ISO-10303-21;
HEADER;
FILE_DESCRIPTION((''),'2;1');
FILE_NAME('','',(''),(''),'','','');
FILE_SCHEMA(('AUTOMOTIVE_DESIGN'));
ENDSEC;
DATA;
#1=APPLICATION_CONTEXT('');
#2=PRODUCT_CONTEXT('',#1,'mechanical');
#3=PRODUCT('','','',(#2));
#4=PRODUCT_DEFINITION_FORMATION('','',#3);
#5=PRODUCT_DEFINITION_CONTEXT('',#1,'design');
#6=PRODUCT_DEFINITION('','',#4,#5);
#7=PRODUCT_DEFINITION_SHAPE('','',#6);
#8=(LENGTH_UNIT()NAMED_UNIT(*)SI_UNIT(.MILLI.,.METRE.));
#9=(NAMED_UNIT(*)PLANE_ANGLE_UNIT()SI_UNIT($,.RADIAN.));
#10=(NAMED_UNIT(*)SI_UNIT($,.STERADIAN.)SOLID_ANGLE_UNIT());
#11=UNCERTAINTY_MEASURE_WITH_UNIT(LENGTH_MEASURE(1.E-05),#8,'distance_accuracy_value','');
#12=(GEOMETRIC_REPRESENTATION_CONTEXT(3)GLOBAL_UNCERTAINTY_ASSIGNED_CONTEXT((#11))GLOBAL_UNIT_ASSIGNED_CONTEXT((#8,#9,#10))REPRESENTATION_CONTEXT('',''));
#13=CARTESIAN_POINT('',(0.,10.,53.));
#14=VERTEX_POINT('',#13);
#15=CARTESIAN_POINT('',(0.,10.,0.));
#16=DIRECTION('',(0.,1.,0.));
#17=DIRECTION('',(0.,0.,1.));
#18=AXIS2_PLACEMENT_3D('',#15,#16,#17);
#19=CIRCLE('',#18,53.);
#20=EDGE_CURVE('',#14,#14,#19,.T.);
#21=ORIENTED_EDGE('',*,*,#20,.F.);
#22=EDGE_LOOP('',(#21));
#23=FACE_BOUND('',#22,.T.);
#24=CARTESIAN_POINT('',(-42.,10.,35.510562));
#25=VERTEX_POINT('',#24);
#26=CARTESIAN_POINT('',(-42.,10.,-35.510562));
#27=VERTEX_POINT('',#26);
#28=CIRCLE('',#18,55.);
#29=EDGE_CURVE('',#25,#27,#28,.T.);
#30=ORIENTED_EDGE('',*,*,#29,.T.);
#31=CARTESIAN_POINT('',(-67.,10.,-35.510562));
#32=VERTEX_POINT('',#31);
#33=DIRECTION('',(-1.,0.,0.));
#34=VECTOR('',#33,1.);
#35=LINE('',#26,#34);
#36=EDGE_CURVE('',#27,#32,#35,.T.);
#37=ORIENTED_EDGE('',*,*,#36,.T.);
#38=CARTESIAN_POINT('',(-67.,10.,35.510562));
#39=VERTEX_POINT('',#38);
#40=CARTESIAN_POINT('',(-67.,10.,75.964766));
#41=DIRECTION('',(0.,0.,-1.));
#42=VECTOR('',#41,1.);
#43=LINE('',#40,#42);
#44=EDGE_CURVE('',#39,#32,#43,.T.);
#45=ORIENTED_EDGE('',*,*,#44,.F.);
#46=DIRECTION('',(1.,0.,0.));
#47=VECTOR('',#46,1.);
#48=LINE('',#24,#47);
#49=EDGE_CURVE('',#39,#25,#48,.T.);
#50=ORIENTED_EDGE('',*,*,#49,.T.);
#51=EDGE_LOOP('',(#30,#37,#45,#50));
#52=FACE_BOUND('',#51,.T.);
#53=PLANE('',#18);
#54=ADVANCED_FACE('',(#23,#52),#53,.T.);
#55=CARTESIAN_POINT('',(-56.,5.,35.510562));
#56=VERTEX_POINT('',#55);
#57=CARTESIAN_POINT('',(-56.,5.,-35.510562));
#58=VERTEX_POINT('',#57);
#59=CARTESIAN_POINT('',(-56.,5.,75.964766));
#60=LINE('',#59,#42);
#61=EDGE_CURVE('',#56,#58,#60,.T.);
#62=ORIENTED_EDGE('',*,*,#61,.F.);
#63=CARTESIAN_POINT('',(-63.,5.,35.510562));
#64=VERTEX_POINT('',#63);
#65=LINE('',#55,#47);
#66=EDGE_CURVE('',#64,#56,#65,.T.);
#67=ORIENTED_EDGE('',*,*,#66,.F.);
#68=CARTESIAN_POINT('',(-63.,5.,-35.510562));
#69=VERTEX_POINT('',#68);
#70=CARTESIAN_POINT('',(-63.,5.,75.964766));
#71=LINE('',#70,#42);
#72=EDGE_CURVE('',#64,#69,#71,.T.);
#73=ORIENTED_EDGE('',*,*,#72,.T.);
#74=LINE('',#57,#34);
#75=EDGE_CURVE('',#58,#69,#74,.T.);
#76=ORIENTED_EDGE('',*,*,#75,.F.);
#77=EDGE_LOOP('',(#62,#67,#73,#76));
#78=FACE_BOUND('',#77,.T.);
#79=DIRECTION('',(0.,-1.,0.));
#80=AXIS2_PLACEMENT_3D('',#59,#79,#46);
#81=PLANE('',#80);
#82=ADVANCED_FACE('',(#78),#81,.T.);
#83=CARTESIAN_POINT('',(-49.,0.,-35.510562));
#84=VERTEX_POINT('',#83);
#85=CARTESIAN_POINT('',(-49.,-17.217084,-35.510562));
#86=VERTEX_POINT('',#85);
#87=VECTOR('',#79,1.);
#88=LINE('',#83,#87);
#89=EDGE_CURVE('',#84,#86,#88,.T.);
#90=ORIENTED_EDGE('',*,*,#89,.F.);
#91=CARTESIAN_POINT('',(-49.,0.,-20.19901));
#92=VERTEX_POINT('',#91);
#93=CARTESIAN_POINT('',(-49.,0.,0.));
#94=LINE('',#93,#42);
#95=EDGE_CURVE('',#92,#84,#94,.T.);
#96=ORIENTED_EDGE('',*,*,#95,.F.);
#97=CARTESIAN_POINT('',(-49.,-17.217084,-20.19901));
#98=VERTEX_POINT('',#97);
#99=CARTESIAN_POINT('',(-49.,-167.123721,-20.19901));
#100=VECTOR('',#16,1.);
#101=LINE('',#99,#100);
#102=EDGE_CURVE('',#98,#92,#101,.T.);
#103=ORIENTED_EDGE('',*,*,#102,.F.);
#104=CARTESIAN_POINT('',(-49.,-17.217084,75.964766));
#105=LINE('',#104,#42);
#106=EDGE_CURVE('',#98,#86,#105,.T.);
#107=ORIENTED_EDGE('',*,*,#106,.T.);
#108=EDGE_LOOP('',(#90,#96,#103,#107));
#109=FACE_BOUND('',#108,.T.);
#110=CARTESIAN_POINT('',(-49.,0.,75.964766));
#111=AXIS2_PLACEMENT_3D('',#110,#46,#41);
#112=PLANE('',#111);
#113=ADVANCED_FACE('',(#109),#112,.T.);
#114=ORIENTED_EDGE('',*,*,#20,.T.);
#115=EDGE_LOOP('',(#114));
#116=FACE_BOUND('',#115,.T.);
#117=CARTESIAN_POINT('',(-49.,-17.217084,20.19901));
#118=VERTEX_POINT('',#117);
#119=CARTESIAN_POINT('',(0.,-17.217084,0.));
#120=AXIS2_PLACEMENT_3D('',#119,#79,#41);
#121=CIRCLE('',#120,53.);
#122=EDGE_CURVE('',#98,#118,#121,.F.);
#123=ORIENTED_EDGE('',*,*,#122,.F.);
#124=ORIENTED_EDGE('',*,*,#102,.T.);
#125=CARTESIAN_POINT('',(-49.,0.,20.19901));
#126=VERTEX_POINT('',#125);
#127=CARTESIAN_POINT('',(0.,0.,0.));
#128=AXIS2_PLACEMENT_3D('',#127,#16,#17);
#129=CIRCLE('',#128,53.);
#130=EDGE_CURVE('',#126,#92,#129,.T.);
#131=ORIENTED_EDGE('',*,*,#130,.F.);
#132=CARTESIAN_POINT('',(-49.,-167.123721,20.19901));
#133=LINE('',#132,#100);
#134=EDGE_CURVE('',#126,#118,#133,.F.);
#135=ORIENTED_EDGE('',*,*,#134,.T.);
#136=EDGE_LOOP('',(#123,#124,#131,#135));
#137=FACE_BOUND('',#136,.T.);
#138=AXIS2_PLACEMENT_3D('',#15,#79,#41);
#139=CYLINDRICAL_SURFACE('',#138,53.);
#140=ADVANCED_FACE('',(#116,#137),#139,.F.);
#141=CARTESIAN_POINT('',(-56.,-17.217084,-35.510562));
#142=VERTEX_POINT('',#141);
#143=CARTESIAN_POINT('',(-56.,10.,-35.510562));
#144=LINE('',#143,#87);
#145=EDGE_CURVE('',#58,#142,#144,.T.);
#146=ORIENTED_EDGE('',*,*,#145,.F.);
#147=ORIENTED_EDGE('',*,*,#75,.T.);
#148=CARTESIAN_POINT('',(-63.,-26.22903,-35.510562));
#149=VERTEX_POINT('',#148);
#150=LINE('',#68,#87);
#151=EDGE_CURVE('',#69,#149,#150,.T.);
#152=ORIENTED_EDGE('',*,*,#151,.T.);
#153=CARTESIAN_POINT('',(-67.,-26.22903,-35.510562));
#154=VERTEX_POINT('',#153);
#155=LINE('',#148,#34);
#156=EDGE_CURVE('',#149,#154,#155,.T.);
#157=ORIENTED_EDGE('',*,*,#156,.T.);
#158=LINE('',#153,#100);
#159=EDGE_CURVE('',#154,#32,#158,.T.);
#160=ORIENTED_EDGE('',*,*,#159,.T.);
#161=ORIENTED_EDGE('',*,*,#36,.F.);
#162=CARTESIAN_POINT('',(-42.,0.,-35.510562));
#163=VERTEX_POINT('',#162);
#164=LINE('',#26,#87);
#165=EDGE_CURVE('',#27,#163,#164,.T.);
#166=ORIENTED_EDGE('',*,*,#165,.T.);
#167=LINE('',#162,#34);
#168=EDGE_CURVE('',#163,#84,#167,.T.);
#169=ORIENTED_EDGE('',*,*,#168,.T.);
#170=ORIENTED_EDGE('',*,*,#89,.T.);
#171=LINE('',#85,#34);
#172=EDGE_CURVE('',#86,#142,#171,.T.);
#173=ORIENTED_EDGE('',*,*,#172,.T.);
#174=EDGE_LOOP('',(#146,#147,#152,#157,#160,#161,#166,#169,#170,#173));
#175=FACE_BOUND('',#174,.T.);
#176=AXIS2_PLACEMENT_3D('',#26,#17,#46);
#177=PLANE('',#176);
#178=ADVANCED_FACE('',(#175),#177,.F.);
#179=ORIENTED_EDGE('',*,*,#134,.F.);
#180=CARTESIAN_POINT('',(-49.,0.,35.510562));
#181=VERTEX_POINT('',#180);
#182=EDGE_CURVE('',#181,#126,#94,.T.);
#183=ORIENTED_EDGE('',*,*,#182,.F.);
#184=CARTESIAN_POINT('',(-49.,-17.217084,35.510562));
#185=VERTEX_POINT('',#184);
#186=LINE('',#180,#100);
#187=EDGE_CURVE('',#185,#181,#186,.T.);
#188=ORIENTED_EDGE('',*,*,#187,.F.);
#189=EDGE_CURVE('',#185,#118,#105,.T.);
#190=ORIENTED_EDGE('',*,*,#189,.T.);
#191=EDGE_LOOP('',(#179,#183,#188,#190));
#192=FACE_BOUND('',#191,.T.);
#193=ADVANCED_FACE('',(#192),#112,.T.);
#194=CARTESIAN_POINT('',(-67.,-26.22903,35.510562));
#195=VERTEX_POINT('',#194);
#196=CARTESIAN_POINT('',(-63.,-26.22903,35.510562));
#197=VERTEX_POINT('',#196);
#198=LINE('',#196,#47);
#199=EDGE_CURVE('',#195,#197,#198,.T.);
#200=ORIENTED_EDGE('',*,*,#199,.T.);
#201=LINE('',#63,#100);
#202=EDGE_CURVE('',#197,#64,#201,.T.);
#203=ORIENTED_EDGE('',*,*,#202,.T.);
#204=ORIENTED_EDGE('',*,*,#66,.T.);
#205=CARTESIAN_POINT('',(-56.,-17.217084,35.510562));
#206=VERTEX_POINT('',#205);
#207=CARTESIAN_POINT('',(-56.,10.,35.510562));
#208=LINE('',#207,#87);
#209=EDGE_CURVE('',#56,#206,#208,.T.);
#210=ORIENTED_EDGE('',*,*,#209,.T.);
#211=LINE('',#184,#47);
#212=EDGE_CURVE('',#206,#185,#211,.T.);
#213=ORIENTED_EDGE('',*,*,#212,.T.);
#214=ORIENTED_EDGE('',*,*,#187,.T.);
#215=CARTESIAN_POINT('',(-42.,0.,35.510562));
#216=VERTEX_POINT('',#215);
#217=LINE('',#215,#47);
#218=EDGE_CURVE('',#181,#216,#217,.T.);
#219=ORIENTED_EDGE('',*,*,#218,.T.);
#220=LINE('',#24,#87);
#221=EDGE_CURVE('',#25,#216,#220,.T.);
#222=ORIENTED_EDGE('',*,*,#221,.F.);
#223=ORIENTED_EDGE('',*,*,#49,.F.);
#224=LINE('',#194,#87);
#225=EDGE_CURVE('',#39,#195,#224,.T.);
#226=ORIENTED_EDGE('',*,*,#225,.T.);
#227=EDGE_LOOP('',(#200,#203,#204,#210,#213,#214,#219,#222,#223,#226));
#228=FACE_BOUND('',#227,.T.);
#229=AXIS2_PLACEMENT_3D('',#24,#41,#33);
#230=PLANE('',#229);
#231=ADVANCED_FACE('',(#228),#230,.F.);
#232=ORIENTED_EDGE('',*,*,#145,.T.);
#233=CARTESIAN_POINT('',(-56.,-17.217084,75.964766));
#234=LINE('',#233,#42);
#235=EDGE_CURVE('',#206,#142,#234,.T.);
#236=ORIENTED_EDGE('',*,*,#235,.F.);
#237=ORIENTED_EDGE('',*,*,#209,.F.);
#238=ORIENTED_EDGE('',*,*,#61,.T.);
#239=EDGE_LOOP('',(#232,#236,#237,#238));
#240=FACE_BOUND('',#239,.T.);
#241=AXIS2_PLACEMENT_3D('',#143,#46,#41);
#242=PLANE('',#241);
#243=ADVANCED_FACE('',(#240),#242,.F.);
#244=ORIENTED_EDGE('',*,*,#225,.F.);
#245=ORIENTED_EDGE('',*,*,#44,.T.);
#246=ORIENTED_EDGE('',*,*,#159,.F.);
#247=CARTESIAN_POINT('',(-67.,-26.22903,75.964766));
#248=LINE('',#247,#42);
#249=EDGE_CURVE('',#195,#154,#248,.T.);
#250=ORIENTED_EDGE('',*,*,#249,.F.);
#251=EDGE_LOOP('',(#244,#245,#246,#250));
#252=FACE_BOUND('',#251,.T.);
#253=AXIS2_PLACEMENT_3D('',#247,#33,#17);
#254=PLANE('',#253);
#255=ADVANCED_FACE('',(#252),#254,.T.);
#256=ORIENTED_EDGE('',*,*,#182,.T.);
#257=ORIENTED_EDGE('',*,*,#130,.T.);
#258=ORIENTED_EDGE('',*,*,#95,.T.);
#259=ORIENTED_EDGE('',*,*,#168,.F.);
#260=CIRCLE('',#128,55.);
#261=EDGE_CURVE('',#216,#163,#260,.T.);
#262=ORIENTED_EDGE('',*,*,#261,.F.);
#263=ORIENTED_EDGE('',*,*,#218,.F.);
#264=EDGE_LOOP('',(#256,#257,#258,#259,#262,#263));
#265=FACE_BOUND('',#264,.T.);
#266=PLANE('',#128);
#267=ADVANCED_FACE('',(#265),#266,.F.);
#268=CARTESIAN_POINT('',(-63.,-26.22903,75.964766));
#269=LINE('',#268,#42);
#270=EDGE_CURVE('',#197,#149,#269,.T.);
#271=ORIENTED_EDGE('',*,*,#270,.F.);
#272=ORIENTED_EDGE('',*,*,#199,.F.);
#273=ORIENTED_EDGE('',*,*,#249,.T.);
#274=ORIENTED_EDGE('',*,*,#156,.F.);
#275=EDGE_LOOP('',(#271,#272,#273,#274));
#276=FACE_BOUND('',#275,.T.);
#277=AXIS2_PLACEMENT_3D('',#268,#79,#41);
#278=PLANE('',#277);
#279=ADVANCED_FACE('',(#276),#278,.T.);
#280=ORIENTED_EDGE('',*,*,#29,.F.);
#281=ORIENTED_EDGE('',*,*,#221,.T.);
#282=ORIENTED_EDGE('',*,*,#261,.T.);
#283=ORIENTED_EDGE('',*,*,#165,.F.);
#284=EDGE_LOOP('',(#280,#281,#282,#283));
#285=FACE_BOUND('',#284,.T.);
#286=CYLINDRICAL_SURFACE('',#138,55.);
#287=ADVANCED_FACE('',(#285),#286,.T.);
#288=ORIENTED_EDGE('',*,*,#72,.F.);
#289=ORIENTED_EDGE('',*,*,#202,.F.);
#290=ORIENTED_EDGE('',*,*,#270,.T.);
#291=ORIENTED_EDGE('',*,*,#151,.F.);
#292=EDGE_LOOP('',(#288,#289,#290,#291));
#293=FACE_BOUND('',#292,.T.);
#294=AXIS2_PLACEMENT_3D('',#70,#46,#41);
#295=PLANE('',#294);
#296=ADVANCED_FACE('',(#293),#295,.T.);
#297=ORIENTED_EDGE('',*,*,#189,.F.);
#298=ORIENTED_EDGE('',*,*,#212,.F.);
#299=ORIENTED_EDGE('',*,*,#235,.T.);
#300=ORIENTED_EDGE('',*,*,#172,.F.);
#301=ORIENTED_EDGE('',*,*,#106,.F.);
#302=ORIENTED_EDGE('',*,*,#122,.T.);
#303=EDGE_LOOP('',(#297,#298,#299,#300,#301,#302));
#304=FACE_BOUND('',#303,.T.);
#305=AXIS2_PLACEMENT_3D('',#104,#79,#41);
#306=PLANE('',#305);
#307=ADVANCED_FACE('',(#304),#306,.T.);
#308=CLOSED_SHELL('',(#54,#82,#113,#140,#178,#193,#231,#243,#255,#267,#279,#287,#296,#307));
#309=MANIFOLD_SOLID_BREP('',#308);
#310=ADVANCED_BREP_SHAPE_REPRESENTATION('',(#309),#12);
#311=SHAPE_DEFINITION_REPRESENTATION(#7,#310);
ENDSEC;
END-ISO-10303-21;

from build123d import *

# Parameters (mm, degrees)
SKETCH1_R           = 53
BOSS_EXTRUDE1_DEPTH = 10
BOSS_EXTRUDE2_DEPTH = 71.021124
SKETCH4_R           = 53
CUT_EXTRUDE1_DEPTH  = 27.217084


with BuildPart() as part:
    # Sketch1 → Boss-Extrude1 (new body)
    with BuildSketch(Plane(origin=(0, 0, 0), x_dir=(1, 0, 0), z_dir=(0, 1, 0))):
        with BuildLine():
            Line((-42, 35.510561809), (-56, 35.510561809))
            Line((-56, 35.510561809), (-56, -35.510561809))
            Line((-56, -35.510561809), (-42, -35.510561809))
            ThreePointArc((-42, -35.510561809), (55, 0), (-42, 35.510561809))
        make_face()
        Circle(SKETCH1_R, mode=Mode.SUBTRACT)
    extrude(amount=BOSS_EXTRUDE1_DEPTH)

    # Sketch3 → Boss-Extrude2 (add)
    with BuildSketch(Plane(origin=(0, 0, -35.510561809), x_dir=(-1, 0, 0), z_dir=(0, 0, -1))):
        Polygon((49, 0), (49, -17.217083866), (56, -17.217083866), (56, 5), (63, 5), (63, -26.22903032), (67, -26.22903032), (67, 10), (49, 10), align=None)
    extrude(amount=-BOSS_EXTRUDE2_DEPTH)

    # Sketch4 → Cut-Extrude1 (cut)
    with BuildSketch(Plane(origin=(0, 10, 0), x_dir=(1, 0, 0), z_dir=(0, 1, 0))):
        Circle(SKETCH4_R)
    extrude(amount=-CUT_EXTRUDE1_DEPTH, mode=Mode.SUBTRACT)


solid = part.part
